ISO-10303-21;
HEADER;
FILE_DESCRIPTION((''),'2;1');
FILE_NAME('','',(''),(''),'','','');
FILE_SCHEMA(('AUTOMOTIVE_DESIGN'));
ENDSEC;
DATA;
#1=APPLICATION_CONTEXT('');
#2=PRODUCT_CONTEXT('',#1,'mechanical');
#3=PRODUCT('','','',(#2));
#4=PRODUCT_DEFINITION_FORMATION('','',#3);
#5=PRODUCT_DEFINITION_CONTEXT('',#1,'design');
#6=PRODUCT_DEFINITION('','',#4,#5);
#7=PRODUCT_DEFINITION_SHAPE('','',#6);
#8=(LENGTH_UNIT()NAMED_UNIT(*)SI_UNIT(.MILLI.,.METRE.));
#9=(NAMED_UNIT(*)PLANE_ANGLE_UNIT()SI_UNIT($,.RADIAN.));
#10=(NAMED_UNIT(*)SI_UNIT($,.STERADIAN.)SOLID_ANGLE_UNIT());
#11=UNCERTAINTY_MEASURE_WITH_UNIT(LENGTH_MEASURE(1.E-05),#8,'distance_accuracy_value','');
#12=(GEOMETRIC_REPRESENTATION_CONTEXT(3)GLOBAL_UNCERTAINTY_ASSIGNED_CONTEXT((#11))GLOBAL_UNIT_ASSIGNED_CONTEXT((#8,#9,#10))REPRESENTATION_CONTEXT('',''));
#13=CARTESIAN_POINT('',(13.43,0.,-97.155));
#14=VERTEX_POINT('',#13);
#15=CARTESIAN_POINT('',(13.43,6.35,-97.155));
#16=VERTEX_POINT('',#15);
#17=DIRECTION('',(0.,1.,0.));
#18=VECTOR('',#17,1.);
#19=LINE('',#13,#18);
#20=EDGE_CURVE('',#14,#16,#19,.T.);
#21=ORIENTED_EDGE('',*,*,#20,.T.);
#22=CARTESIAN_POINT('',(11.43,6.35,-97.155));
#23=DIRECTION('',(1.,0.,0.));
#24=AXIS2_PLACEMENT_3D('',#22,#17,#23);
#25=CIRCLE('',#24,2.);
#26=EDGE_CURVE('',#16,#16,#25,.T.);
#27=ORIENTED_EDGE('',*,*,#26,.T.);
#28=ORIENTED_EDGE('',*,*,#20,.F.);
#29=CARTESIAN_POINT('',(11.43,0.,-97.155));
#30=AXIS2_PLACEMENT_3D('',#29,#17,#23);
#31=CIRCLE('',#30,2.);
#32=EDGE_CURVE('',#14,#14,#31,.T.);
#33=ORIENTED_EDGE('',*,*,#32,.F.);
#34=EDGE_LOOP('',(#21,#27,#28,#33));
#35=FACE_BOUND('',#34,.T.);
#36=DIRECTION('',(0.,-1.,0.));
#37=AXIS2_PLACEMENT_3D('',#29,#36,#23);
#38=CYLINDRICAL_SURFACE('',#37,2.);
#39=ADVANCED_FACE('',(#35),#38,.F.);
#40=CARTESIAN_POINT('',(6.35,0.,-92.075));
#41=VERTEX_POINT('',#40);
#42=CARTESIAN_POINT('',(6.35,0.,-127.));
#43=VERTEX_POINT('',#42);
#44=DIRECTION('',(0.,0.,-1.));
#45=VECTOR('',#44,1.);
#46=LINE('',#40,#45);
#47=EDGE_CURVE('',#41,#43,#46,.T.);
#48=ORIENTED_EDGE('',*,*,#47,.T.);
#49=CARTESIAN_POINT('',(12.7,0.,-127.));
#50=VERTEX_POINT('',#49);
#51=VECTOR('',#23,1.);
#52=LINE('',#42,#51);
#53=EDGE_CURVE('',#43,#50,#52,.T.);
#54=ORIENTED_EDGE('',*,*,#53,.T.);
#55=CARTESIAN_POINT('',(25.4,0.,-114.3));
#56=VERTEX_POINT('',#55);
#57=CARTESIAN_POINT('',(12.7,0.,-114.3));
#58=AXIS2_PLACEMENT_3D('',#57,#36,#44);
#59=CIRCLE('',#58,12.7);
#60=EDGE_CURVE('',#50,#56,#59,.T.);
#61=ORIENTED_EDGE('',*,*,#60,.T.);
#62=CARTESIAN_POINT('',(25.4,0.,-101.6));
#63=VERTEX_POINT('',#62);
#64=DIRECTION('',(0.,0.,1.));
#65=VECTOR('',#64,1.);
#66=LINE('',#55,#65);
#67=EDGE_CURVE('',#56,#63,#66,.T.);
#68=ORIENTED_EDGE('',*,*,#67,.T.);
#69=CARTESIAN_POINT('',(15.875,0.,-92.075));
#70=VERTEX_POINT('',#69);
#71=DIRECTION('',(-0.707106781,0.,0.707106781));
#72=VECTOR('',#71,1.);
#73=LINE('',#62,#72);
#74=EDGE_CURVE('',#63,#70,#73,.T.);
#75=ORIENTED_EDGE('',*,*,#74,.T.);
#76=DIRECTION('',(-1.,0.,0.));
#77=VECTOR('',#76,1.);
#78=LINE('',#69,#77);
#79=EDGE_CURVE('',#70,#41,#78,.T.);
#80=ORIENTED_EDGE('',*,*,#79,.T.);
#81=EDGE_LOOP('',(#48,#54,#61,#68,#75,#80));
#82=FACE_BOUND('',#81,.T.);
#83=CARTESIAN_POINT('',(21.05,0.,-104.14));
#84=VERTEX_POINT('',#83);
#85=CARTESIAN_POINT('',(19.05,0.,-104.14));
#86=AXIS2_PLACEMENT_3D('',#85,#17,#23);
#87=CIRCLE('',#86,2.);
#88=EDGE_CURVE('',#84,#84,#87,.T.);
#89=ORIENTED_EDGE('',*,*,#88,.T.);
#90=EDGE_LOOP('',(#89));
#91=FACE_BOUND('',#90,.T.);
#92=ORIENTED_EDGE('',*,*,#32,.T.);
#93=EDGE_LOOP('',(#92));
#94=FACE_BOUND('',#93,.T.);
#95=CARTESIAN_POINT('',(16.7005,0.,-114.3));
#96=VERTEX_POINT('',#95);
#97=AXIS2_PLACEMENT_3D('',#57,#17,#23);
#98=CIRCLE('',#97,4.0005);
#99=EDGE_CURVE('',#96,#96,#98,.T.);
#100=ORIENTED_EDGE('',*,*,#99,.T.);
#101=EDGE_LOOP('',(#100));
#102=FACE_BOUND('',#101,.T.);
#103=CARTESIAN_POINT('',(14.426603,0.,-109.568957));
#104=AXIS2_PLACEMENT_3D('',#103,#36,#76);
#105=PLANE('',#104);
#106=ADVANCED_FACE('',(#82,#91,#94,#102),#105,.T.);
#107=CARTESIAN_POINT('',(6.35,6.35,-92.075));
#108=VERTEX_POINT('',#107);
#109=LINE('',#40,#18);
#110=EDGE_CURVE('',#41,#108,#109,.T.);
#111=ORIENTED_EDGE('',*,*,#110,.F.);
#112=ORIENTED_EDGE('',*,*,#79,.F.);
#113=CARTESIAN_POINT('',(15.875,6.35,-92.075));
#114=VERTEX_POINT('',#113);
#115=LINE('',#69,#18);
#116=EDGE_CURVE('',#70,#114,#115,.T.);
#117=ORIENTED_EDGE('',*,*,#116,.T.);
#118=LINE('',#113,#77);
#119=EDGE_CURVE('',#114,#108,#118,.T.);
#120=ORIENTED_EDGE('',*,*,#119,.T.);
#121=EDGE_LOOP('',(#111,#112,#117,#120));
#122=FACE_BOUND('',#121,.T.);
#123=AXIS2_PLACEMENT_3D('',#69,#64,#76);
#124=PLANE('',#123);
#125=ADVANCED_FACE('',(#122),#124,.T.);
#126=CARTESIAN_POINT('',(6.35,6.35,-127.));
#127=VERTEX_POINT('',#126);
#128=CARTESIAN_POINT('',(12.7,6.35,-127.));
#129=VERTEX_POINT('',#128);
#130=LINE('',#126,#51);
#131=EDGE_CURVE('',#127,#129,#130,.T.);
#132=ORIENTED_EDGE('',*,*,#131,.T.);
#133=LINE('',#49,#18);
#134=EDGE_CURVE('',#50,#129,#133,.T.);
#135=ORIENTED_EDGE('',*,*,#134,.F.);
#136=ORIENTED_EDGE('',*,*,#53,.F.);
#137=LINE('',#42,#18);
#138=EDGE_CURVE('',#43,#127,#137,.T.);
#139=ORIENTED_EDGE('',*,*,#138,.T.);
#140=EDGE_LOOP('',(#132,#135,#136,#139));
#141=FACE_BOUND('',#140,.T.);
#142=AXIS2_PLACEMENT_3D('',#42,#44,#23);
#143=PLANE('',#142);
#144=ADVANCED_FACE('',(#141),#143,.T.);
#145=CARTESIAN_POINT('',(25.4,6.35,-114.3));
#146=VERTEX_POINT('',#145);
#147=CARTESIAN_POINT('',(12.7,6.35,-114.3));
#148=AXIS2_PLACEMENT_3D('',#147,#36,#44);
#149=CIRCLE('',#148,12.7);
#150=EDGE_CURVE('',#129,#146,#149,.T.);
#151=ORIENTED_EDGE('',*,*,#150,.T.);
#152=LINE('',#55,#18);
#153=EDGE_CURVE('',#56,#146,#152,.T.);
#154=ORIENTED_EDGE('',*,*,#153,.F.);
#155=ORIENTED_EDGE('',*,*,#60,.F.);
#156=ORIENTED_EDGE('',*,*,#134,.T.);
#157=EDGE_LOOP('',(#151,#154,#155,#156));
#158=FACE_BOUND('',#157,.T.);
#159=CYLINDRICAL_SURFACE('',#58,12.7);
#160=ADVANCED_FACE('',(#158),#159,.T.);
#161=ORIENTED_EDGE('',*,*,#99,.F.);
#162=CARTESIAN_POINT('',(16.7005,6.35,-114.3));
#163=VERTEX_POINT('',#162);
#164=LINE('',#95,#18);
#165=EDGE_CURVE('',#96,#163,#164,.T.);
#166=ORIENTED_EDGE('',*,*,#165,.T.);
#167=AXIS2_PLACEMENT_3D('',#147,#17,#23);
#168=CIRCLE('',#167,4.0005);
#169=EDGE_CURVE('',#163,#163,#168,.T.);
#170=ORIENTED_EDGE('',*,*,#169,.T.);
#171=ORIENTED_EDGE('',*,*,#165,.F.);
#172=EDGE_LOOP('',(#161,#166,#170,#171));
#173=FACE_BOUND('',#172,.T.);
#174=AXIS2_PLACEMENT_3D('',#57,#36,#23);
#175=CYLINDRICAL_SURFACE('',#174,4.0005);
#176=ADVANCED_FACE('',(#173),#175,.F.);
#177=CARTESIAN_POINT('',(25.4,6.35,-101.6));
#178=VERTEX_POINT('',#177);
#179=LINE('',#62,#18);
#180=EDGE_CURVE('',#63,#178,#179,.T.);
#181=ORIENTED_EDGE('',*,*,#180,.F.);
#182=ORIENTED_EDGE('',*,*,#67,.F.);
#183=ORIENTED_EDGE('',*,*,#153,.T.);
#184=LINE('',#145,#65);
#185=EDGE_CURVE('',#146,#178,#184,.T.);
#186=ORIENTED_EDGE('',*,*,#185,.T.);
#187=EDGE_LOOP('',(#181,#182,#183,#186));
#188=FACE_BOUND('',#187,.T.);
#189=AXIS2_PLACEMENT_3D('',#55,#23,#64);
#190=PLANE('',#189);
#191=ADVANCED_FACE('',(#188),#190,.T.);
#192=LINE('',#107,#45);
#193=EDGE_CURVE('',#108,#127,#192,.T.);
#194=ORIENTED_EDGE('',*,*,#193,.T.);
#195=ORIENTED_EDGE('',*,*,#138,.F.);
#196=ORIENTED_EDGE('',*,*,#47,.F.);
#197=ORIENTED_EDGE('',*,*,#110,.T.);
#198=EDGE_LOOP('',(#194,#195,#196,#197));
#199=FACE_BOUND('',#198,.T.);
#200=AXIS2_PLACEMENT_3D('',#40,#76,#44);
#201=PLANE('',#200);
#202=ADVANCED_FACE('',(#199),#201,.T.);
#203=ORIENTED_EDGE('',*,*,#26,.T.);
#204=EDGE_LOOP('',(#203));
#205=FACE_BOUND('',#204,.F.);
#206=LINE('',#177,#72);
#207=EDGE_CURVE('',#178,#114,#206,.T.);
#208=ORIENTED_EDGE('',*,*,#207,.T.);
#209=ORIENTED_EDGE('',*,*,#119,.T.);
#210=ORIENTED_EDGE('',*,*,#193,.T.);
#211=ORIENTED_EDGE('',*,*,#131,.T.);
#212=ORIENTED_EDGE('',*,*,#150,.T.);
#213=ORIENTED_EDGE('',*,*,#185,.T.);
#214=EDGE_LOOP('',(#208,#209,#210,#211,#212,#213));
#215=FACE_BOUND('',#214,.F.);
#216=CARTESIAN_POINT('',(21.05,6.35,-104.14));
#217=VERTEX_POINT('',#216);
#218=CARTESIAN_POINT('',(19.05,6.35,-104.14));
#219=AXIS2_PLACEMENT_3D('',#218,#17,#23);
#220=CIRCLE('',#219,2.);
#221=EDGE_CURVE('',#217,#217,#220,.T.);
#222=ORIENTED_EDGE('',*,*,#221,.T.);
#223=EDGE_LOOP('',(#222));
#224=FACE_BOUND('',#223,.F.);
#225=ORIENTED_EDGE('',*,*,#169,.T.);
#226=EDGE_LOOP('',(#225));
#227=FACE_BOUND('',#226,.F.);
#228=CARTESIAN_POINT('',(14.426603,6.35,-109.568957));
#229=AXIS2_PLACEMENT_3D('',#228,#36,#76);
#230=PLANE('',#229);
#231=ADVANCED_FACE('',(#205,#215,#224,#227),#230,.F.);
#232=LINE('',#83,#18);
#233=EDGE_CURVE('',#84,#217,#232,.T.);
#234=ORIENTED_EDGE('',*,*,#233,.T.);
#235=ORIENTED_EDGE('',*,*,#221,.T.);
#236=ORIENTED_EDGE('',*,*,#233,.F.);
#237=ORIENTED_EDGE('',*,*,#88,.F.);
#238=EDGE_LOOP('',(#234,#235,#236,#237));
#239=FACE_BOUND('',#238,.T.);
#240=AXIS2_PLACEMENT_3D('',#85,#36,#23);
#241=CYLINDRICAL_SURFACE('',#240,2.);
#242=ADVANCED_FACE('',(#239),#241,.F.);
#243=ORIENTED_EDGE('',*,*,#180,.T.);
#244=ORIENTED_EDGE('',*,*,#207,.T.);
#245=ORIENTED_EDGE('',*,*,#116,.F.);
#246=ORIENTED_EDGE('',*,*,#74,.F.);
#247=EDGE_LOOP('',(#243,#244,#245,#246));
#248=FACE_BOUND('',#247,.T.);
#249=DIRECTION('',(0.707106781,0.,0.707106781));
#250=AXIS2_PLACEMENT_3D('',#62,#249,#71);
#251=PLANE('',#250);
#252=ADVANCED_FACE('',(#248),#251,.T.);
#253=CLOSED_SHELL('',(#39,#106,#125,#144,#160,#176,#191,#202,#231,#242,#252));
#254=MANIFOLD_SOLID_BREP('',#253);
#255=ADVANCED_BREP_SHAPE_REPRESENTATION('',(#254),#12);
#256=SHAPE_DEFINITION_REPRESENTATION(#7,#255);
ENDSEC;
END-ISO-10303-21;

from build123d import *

# Parameters (mm, degrees)
SKETCH2_R           = 2
SKETCH2_R_2         = 4.0005
BOSS_EXTRUDE1_DEPTH = 6.35


with BuildPart() as part:
    # Sketch2 → Boss-Extrude1 (new body)
    with BuildSketch(Plane(origin=(0, 0, 0), x_dir=(1, 0, 0), z_dir=(0, 1, 0))):
        with BuildLine():
            Line((6.35, 127), (12.7, 127))
            ThreePointArc((12.7, 127), (21.680256121, 123.280256121), (25.4, 114.3))
            Line((25.4, 114.3), (25.4, 101.6))
            Line((25.4, 101.6), (15.875, 92.075))
            Line((15.875, 92.075), (6.35, 92.075))
            Line((6.35, 92.075), (6.35, 101.6))
            Line((6.35, 101.6), (6.35, 127))
        make_face()
        with Locations((11.43, 97.155)):
            Circle(SKETCH2_R, mode=Mode.SUBTRACT)
        with Locations((19.05, 104.14)):
            Circle(SKETCH2_R, mode=Mode.SUBTRACT)
        with Locations((12.7, 114.3)):
            Circle(SKETCH2_R_2, mode=Mode.SUBTRACT)
    extrude(amount=BOSS_EXTRUDE1_DEPTH)


solid = part.part
